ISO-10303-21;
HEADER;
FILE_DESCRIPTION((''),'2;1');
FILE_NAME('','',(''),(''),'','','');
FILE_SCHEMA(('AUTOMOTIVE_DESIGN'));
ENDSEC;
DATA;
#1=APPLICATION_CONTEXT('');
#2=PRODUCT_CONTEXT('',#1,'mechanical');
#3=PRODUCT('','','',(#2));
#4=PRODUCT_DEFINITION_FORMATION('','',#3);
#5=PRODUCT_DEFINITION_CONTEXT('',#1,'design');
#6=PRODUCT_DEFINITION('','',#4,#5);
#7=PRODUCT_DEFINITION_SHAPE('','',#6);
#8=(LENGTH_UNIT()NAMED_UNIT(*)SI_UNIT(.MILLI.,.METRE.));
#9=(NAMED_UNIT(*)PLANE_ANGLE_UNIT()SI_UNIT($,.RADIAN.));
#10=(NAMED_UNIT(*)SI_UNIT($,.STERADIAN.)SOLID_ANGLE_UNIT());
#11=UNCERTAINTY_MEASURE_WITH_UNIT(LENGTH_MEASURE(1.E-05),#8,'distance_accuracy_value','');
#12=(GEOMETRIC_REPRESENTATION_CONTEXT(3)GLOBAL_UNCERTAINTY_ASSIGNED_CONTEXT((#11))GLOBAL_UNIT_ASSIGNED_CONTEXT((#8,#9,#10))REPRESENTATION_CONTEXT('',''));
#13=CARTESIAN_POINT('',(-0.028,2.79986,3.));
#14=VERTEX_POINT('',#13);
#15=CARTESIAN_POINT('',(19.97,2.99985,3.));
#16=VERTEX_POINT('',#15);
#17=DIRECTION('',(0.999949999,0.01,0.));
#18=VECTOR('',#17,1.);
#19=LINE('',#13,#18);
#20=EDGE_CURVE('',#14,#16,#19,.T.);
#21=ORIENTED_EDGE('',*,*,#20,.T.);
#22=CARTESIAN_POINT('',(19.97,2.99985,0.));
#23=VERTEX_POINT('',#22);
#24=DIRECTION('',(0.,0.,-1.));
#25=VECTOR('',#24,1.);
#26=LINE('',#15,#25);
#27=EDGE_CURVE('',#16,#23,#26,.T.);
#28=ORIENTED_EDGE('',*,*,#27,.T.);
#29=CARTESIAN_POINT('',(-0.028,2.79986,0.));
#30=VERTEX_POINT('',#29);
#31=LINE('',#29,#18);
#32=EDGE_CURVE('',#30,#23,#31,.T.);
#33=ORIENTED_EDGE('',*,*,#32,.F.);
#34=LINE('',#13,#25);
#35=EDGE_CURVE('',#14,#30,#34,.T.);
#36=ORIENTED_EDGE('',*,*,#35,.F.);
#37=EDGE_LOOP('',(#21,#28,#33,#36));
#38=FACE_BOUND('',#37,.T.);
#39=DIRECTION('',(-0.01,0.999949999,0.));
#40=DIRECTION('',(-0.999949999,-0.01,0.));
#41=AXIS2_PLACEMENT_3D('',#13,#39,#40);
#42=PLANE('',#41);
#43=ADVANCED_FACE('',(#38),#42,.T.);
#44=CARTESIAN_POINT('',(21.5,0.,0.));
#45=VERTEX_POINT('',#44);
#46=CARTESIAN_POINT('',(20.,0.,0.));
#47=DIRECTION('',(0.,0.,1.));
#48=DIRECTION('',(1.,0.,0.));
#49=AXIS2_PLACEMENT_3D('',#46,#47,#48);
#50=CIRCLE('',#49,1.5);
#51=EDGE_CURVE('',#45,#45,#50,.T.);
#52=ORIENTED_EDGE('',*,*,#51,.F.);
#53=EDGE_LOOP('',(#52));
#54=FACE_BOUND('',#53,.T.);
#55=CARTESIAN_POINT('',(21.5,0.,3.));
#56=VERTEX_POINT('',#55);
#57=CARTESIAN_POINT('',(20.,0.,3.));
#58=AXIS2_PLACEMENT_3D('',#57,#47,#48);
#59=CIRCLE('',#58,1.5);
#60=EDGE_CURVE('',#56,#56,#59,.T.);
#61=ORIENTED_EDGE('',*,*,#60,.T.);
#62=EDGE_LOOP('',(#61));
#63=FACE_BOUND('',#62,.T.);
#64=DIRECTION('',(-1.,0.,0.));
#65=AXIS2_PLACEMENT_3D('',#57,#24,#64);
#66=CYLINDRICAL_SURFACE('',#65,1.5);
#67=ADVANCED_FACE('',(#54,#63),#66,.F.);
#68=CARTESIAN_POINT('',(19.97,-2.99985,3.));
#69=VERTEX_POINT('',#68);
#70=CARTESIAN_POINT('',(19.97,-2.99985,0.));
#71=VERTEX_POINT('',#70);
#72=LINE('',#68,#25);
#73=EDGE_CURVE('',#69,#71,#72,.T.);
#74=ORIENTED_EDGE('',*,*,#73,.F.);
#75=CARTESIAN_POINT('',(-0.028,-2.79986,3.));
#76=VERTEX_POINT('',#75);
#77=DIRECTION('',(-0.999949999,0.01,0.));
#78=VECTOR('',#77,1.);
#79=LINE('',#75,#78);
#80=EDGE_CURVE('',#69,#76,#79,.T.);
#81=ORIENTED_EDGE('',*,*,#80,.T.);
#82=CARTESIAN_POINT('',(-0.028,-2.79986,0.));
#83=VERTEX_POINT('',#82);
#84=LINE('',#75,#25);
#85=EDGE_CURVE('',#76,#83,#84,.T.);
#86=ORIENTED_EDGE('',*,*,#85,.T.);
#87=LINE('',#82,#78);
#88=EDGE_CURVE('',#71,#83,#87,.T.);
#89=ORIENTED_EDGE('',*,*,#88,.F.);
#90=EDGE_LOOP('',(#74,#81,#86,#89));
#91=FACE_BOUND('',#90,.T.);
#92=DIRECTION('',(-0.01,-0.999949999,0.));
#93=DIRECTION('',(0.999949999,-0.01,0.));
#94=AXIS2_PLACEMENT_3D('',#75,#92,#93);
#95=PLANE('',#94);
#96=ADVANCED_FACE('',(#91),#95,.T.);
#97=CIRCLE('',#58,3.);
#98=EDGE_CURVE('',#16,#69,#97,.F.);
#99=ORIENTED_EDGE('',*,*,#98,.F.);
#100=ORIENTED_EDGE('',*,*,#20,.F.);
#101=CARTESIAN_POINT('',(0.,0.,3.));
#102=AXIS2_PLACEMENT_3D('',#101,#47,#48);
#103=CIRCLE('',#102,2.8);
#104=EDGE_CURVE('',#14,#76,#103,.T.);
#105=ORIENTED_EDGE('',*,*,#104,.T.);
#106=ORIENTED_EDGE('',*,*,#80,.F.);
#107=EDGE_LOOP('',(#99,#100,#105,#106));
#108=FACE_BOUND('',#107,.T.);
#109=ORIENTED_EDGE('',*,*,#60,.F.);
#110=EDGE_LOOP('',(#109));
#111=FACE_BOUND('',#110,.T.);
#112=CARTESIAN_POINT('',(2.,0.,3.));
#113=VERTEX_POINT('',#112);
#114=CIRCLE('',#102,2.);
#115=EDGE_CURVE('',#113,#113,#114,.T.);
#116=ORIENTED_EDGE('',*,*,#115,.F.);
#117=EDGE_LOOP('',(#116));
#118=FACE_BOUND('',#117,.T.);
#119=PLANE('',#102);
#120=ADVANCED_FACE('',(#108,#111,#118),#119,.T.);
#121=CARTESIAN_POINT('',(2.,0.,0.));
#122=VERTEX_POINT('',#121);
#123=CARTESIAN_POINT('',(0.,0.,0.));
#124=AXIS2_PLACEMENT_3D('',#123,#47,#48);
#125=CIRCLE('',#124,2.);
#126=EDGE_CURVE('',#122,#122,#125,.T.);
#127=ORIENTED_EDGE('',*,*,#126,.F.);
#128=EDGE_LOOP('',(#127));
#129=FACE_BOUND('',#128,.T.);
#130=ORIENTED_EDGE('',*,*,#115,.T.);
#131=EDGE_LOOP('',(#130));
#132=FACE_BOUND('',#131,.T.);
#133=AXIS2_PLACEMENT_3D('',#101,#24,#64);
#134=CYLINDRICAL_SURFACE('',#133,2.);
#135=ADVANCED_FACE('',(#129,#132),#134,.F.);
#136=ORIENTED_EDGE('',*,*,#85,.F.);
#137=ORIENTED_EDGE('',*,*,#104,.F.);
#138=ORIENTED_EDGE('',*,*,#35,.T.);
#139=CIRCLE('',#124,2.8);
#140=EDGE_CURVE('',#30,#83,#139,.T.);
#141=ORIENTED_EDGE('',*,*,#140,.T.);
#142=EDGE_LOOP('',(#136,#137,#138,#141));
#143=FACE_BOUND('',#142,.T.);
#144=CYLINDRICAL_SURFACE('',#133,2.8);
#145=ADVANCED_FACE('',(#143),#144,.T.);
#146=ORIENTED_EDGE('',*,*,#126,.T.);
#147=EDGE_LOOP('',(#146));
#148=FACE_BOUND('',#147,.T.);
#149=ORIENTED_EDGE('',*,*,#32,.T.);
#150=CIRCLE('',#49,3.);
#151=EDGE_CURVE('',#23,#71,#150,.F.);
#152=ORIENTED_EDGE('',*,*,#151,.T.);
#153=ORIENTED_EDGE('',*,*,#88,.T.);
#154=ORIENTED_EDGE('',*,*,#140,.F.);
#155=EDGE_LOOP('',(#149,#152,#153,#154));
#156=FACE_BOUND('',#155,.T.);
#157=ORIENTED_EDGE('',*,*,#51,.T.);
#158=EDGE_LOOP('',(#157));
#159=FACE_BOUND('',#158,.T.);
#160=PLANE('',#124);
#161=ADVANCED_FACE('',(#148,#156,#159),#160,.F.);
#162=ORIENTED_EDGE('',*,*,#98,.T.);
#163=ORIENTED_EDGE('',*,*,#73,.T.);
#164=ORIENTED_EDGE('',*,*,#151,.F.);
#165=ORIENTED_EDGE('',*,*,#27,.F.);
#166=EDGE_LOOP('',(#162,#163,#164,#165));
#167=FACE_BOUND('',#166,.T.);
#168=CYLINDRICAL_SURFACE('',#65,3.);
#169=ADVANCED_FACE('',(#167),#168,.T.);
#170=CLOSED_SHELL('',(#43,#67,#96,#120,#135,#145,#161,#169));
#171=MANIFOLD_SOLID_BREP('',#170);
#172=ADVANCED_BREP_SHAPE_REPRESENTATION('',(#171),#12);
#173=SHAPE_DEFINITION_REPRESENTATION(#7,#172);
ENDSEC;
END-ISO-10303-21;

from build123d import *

# Parameters (mm, degrees)
ESQUISSE1_R        = 1.5
ESQUISSE1_R_2      = 2
BOSS_EXTRU_1_DEPTH = 3


with BuildPart() as part:
    # Esquisse1 → Boss.-Extru.1 (new body)
    with BuildSketch(Plane.XY):
        with BuildLine():
            Line((-0.028, 2.799859996), (19.97, 2.999849996))
            ThreePointArc((19.97, 2.999849996), (23, 0), (19.97, -2.999849996))
            Line((19.97, -2.999849996), (-0.028, -2.799859996))
            ThreePointArc((-0.028, -2.799859996), (-2.8, 0), (-0.028, 2.799859996))
        make_face()
        with Locations((20, 0)):
            Circle(ESQUISSE1_R, mode=Mode.SUBTRACT)
        Circle(ESQUISSE1_R_2, mode=Mode.SUBTRACT)
    extrude(amount=BOSS_EXTRU_1_DEPTH)


solid = part.part
